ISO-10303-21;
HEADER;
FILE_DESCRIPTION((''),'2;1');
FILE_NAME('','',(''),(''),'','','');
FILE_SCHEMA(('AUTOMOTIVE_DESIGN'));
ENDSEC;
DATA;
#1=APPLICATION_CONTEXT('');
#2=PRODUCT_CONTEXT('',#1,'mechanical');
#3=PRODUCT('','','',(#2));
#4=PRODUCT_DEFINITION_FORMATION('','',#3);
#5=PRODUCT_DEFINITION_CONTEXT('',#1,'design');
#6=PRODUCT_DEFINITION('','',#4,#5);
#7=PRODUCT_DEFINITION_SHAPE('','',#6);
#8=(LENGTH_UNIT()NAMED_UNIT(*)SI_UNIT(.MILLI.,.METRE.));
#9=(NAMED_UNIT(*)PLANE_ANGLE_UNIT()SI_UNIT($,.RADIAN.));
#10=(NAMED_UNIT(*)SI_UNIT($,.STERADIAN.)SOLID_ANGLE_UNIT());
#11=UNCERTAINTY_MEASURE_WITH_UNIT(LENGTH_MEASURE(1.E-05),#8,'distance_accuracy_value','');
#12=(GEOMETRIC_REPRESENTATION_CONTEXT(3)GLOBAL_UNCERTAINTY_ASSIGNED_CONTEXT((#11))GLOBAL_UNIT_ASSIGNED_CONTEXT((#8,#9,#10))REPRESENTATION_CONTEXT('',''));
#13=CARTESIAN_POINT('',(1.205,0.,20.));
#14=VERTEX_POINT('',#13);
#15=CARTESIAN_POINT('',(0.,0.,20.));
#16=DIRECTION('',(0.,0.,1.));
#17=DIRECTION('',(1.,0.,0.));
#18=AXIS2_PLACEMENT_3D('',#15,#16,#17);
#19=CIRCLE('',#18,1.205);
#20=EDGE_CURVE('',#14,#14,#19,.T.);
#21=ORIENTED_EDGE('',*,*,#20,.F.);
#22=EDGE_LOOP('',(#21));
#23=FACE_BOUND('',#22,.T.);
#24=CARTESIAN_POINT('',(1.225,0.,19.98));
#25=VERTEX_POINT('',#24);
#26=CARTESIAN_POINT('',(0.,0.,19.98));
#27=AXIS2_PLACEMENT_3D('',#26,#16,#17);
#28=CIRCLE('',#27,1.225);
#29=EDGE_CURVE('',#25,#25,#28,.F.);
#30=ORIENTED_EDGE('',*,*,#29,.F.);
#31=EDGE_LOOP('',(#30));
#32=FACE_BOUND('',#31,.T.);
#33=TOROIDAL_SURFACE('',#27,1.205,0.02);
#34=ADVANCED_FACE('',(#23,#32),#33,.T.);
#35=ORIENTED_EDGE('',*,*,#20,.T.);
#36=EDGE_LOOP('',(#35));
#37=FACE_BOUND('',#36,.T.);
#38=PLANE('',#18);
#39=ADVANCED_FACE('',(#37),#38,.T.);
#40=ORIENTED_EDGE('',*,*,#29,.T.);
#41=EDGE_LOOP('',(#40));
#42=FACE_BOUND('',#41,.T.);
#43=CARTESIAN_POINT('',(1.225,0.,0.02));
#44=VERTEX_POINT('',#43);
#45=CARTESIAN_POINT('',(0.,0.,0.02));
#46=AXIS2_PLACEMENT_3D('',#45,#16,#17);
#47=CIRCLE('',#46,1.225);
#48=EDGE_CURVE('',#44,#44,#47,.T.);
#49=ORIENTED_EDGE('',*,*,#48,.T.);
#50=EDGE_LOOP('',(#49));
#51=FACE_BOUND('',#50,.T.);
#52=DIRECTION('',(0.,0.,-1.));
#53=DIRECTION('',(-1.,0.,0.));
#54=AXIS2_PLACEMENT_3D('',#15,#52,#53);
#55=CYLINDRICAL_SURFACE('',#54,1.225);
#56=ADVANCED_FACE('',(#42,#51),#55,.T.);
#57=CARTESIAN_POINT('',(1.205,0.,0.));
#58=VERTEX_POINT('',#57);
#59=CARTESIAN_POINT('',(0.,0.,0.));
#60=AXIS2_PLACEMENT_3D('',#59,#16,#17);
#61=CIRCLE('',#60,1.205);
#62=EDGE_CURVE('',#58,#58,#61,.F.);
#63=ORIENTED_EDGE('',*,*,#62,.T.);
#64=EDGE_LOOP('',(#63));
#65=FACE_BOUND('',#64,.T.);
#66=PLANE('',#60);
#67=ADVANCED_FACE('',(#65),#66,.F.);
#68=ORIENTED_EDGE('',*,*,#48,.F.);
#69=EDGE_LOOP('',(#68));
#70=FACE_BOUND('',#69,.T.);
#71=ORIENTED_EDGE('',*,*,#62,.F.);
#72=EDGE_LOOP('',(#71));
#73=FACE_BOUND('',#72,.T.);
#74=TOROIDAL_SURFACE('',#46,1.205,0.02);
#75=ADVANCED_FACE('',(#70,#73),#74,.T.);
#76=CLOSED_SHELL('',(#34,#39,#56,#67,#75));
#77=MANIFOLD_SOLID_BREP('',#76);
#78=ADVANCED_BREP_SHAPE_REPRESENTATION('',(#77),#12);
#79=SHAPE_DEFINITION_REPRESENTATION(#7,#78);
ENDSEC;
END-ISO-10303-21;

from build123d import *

# Parameters (mm, degrees)
CROQUIS1_R              = 1.225
SALIENTE_EXTRUIR1_DEPTH = 20
REDONDEO1_R             = 0.02


with BuildPart() as part:
    # Croquis1 → Saliente-Extruir1 (new body)
    with BuildSketch(Plane.XY):
        Circle(CROQUIS1_R)
    extrude(amount=SALIENTE_EXTRUIR1_DEPTH)

    # Redondeo1
    redondeo1_edges = [part.edges().sort_by_distance(p)[0] for p in [
        (-1.225, 0, 0),
        (-1.225, 0, 20),
    ]]
    fillet(redondeo1_edges, radius=REDONDEO1_R)


solid = part.part
